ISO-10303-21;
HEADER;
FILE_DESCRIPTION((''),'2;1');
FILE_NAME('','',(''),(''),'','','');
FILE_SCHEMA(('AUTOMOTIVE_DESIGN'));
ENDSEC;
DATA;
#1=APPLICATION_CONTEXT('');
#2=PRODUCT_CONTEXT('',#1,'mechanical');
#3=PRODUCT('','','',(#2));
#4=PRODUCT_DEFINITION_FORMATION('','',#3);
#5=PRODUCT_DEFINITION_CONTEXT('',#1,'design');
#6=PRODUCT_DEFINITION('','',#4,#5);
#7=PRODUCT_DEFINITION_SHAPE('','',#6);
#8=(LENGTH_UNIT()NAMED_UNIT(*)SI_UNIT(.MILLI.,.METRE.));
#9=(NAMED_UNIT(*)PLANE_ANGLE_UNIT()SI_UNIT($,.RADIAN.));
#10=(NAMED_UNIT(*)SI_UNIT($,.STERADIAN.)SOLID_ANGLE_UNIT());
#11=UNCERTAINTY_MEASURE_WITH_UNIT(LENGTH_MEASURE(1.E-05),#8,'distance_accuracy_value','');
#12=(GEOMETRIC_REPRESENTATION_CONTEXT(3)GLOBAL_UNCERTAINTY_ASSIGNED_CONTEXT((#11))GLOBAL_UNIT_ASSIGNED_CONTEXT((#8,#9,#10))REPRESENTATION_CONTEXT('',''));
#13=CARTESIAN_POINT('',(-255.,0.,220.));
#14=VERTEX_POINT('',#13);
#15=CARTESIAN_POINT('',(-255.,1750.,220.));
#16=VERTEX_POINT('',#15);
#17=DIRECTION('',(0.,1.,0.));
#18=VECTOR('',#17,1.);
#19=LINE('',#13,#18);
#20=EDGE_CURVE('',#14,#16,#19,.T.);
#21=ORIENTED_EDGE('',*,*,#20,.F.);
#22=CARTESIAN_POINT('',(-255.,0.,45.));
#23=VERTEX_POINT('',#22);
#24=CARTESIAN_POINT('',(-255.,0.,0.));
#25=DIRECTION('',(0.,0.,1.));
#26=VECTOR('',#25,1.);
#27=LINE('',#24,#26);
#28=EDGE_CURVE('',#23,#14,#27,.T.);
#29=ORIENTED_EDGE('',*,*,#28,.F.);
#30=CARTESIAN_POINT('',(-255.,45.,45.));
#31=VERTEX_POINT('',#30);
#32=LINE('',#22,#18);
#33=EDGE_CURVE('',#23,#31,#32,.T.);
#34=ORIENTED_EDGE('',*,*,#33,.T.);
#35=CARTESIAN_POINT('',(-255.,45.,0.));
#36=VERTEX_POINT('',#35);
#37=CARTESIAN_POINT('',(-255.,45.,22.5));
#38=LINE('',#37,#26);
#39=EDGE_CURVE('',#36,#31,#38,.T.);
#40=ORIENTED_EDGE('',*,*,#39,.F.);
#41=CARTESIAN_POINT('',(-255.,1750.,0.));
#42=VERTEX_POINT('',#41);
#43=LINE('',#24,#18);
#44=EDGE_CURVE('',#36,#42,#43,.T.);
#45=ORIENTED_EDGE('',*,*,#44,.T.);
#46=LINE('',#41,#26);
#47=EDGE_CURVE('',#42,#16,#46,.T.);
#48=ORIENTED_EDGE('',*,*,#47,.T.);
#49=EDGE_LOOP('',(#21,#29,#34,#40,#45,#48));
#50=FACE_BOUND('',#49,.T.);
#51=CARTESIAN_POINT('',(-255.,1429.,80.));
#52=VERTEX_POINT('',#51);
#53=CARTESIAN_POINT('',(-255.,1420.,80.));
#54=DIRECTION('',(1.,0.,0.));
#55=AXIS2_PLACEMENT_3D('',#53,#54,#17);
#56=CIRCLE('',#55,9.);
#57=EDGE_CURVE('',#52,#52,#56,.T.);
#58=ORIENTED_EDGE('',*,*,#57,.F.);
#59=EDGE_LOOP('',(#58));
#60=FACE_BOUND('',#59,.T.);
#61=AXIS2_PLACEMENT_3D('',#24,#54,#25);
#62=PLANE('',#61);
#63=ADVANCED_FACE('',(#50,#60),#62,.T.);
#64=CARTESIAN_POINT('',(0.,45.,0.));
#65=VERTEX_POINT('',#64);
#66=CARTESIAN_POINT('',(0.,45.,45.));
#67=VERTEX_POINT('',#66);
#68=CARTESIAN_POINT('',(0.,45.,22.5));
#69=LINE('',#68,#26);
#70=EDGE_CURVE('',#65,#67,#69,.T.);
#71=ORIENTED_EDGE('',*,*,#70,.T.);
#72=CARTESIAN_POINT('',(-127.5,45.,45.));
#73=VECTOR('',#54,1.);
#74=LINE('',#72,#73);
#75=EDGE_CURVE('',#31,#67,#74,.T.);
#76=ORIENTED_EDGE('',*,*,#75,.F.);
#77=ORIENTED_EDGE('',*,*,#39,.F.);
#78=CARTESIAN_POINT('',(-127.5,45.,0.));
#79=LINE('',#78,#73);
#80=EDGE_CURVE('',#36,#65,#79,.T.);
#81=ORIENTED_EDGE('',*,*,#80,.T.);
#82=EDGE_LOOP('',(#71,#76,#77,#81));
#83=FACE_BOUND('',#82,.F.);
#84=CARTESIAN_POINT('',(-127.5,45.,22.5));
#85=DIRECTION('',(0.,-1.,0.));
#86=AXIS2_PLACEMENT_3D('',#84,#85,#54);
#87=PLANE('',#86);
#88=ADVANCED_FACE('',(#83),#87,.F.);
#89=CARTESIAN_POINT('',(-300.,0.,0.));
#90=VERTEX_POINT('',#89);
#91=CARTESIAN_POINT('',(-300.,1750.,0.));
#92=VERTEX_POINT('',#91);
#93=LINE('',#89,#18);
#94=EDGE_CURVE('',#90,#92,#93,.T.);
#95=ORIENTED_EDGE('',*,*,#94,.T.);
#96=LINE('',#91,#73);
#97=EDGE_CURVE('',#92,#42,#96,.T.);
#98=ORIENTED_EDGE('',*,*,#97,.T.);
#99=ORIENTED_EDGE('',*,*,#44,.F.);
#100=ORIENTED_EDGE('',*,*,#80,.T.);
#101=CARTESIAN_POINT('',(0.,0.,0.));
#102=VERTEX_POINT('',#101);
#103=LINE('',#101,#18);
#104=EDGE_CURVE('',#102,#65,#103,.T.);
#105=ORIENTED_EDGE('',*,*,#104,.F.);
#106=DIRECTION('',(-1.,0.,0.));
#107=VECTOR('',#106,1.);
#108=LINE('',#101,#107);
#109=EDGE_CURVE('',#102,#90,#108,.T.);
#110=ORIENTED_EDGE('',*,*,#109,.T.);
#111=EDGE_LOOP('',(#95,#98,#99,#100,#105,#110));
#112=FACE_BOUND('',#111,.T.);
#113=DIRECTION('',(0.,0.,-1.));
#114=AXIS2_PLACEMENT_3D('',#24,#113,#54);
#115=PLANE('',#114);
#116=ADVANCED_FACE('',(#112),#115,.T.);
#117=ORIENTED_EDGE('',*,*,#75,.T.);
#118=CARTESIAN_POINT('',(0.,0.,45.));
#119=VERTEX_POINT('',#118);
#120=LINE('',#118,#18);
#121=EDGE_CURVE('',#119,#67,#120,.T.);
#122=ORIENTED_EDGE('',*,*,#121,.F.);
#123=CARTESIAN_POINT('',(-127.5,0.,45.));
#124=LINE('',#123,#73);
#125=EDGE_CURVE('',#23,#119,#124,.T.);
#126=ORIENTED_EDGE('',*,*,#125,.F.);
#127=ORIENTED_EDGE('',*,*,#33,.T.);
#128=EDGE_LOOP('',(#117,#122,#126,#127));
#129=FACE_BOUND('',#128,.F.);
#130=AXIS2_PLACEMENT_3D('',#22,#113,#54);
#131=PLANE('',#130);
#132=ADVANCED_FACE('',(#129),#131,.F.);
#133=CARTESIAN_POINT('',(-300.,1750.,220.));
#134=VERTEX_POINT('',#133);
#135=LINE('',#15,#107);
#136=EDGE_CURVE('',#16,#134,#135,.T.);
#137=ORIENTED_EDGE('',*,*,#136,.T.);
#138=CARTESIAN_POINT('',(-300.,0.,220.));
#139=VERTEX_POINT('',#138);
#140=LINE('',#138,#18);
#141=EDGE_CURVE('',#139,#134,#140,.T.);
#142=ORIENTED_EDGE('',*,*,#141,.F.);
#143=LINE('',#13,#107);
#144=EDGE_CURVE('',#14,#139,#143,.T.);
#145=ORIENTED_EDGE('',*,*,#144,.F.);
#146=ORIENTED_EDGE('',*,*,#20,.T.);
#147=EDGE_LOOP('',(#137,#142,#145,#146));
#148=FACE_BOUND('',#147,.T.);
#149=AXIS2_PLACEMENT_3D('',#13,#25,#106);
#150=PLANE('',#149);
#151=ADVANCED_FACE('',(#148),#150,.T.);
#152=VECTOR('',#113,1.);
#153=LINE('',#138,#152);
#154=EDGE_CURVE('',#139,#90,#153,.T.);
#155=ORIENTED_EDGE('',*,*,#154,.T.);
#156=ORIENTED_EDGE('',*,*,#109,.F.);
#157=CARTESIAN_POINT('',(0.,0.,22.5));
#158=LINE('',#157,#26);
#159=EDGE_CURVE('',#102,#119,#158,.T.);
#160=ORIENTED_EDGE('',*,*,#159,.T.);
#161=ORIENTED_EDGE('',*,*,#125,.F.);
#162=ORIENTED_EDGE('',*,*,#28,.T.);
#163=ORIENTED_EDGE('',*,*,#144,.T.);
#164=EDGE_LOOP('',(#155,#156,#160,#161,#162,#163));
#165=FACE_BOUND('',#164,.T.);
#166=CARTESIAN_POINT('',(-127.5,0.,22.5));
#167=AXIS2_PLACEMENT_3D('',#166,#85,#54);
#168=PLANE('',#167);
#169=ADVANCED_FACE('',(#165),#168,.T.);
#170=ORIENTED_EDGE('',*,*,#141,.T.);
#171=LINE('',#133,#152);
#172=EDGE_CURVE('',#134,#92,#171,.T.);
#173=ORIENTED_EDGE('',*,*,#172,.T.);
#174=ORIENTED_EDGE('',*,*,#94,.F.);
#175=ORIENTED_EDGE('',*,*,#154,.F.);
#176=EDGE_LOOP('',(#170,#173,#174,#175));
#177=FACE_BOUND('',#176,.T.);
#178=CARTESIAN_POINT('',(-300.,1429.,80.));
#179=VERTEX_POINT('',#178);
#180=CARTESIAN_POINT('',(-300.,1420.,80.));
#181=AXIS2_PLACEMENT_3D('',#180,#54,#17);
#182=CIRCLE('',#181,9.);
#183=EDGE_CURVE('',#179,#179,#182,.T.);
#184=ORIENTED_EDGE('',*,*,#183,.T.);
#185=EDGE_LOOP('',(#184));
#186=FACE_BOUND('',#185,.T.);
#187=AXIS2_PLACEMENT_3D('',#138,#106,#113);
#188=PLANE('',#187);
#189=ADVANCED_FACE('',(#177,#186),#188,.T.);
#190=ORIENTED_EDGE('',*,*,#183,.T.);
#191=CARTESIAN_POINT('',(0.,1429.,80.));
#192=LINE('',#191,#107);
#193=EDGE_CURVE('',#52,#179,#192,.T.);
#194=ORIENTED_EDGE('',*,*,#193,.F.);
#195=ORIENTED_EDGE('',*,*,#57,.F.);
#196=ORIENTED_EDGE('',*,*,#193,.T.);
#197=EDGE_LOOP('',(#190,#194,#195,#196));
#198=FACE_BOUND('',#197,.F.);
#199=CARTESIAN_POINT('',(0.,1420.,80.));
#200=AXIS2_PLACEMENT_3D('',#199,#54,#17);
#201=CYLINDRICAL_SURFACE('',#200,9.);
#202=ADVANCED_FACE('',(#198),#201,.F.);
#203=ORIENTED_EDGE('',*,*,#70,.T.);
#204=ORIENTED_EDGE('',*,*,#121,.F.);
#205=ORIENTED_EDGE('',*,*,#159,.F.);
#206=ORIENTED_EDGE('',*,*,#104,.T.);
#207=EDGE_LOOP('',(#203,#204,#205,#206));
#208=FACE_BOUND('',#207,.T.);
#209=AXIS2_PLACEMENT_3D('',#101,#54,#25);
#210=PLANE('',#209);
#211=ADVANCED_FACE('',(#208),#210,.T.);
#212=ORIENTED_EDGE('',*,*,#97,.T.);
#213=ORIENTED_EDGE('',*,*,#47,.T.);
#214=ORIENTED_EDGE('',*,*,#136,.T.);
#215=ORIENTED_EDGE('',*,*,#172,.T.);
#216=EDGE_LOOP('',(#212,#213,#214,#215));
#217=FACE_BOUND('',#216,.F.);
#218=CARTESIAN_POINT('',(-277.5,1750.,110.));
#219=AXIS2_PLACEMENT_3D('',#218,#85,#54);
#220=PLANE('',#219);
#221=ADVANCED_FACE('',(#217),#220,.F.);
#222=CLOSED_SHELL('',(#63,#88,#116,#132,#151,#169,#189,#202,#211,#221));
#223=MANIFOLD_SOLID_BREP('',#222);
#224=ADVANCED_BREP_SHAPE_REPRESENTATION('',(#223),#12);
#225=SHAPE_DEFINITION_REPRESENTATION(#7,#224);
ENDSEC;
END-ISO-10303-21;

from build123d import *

# Parameters (mm, degrees)
F1_DEPTH = 1750
F0_W     = 255
F0_H     = 45
F2_DEPTH = 45
F3_R     = 9
F4_DEPTH = 300.001


with BuildPart() as f1:
    # F0 (on Front) → F1 (new body)
    with BuildSketch(Plane.XZ):
        Polygon((-300, 0), (-255, 0), (-255, 45), (-255, 220), (-300, 220), align=None)
    extrude(amount=-F1_DEPTH)

    # F0 (on Front) → F2 (join)
    with BuildSketch(Plane.XZ):
        with Locations((-127.5, 22.5)):
            Rectangle(F0_W, F0_H)
    extrude(amount=-F2_DEPTH)

    # F3 (on Right) → F4 (cut, through all)
    with BuildSketch(Plane.YZ):
        with Locations((1420, 80)):
            Circle(F3_R)
    extrude(amount=-F4_DEPTH, mode=Mode.SUBTRACT)


solid = f1.part
